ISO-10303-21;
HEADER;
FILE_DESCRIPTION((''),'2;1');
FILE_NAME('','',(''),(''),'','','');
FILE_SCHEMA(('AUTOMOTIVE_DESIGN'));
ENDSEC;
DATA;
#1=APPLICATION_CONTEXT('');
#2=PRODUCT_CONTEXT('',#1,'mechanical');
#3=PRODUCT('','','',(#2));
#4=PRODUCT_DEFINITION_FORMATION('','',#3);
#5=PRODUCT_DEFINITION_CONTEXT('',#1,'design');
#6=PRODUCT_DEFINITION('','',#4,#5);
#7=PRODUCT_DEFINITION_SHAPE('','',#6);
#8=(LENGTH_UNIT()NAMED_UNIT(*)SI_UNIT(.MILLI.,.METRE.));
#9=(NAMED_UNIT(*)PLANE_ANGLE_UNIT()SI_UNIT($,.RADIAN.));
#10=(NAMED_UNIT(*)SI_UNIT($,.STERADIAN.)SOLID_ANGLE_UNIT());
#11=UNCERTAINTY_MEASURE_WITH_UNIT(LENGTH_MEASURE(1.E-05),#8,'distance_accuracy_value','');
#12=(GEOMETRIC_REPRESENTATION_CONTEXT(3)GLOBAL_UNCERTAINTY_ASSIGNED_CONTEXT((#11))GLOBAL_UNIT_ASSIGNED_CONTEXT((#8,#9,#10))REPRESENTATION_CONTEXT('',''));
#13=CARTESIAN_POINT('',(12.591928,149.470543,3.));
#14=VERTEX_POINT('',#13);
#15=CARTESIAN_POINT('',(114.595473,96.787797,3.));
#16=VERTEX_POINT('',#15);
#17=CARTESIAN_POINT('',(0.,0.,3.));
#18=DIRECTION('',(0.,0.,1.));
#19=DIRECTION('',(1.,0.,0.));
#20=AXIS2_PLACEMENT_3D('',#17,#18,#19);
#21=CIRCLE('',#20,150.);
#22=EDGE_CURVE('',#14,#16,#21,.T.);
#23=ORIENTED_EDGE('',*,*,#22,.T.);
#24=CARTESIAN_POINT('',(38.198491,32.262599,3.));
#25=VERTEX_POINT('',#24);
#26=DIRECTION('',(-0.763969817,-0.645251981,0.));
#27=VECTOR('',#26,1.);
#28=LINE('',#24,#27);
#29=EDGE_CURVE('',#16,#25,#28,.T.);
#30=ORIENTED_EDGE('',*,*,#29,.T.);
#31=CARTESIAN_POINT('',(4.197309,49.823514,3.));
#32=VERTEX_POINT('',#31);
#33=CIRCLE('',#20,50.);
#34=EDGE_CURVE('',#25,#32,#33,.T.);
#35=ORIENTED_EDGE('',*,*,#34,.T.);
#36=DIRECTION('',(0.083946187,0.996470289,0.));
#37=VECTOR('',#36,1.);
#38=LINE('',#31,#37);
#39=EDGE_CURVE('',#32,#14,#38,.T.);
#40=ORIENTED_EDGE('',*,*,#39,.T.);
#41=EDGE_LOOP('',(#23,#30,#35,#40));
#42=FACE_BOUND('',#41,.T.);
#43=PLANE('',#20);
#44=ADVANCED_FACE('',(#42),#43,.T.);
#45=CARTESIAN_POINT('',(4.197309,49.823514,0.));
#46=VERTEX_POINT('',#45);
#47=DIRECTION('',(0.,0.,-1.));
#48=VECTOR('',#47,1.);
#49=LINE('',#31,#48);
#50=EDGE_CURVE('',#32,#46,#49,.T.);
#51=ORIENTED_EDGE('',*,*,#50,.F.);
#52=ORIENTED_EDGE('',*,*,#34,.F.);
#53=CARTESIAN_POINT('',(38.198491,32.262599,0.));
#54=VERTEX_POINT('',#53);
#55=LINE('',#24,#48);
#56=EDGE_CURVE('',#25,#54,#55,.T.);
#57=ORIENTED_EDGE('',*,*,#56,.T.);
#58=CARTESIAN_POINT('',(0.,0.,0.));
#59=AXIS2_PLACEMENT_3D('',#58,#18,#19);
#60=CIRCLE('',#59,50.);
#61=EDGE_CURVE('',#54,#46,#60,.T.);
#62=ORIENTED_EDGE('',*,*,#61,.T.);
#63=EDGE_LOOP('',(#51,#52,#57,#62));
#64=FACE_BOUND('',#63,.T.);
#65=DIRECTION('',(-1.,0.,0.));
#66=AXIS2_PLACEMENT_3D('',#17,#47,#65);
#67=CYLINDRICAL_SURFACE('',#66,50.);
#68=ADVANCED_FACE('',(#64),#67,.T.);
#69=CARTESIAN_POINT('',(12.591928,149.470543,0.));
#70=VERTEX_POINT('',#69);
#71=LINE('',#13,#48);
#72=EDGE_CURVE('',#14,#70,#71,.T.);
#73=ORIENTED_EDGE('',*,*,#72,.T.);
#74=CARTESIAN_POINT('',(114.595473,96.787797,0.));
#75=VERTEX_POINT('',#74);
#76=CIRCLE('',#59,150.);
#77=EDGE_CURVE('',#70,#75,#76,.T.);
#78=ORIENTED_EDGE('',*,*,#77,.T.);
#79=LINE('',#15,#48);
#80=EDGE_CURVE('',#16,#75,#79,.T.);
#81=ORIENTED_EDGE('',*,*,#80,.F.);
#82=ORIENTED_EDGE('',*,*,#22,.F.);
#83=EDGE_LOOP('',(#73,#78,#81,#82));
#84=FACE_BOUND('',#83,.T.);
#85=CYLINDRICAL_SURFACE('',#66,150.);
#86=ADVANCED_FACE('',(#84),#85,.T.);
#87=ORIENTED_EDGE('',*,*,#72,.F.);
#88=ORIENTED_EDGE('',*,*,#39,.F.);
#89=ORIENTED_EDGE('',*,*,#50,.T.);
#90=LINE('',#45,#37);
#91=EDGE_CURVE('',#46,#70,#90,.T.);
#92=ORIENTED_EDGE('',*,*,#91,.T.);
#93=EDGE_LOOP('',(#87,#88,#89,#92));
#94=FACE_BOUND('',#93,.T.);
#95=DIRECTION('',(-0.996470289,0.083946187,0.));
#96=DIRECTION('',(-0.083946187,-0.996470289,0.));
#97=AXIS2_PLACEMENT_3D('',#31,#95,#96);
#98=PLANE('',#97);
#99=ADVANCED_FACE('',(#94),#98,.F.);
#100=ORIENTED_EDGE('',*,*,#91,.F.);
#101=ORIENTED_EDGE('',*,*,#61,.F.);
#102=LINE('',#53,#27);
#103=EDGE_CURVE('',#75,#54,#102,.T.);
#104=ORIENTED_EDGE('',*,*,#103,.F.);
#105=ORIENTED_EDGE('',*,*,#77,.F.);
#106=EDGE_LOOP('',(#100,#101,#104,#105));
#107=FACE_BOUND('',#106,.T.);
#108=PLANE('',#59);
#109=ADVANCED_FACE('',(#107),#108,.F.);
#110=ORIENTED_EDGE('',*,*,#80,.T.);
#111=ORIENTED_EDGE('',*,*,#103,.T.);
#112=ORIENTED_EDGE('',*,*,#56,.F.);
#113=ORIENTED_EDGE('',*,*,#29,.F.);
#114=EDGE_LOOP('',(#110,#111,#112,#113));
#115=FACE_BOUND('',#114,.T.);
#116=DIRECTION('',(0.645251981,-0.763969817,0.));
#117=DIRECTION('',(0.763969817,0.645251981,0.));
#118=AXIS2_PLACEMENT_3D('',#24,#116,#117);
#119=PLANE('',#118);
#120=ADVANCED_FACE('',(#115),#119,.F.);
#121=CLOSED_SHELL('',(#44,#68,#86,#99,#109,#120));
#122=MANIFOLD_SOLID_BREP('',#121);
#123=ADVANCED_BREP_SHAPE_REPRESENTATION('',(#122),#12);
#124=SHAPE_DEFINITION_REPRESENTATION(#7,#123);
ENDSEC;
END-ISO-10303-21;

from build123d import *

# Parameters (mm, degrees)
BOSS_EXTRUDE1_DEPTH = 3


with BuildPart() as part:
    # Sketch1 → Boss-Extrude1 (new body)
    with BuildSketch(Plane.XY):
        with BuildLine():
            Line((4.197309328, 49.823514473), (12.591927983, 149.470543418))
            ThreePointArc((12.591927983, 149.470543418), (-68.833325131, -133.274053557), (114.595472503, 96.787797174))
            Line((114.595472503, 96.787797174), (38.198490834, 32.262599058))
            ThreePointArc((38.198490834, 32.262599058), (22.94444171, 44.424684519), (4.197309328, 49.823514473))
        make_face()
    extrude(amount=BOSS_EXTRUDE1_DEPTH)


solid = part.part
